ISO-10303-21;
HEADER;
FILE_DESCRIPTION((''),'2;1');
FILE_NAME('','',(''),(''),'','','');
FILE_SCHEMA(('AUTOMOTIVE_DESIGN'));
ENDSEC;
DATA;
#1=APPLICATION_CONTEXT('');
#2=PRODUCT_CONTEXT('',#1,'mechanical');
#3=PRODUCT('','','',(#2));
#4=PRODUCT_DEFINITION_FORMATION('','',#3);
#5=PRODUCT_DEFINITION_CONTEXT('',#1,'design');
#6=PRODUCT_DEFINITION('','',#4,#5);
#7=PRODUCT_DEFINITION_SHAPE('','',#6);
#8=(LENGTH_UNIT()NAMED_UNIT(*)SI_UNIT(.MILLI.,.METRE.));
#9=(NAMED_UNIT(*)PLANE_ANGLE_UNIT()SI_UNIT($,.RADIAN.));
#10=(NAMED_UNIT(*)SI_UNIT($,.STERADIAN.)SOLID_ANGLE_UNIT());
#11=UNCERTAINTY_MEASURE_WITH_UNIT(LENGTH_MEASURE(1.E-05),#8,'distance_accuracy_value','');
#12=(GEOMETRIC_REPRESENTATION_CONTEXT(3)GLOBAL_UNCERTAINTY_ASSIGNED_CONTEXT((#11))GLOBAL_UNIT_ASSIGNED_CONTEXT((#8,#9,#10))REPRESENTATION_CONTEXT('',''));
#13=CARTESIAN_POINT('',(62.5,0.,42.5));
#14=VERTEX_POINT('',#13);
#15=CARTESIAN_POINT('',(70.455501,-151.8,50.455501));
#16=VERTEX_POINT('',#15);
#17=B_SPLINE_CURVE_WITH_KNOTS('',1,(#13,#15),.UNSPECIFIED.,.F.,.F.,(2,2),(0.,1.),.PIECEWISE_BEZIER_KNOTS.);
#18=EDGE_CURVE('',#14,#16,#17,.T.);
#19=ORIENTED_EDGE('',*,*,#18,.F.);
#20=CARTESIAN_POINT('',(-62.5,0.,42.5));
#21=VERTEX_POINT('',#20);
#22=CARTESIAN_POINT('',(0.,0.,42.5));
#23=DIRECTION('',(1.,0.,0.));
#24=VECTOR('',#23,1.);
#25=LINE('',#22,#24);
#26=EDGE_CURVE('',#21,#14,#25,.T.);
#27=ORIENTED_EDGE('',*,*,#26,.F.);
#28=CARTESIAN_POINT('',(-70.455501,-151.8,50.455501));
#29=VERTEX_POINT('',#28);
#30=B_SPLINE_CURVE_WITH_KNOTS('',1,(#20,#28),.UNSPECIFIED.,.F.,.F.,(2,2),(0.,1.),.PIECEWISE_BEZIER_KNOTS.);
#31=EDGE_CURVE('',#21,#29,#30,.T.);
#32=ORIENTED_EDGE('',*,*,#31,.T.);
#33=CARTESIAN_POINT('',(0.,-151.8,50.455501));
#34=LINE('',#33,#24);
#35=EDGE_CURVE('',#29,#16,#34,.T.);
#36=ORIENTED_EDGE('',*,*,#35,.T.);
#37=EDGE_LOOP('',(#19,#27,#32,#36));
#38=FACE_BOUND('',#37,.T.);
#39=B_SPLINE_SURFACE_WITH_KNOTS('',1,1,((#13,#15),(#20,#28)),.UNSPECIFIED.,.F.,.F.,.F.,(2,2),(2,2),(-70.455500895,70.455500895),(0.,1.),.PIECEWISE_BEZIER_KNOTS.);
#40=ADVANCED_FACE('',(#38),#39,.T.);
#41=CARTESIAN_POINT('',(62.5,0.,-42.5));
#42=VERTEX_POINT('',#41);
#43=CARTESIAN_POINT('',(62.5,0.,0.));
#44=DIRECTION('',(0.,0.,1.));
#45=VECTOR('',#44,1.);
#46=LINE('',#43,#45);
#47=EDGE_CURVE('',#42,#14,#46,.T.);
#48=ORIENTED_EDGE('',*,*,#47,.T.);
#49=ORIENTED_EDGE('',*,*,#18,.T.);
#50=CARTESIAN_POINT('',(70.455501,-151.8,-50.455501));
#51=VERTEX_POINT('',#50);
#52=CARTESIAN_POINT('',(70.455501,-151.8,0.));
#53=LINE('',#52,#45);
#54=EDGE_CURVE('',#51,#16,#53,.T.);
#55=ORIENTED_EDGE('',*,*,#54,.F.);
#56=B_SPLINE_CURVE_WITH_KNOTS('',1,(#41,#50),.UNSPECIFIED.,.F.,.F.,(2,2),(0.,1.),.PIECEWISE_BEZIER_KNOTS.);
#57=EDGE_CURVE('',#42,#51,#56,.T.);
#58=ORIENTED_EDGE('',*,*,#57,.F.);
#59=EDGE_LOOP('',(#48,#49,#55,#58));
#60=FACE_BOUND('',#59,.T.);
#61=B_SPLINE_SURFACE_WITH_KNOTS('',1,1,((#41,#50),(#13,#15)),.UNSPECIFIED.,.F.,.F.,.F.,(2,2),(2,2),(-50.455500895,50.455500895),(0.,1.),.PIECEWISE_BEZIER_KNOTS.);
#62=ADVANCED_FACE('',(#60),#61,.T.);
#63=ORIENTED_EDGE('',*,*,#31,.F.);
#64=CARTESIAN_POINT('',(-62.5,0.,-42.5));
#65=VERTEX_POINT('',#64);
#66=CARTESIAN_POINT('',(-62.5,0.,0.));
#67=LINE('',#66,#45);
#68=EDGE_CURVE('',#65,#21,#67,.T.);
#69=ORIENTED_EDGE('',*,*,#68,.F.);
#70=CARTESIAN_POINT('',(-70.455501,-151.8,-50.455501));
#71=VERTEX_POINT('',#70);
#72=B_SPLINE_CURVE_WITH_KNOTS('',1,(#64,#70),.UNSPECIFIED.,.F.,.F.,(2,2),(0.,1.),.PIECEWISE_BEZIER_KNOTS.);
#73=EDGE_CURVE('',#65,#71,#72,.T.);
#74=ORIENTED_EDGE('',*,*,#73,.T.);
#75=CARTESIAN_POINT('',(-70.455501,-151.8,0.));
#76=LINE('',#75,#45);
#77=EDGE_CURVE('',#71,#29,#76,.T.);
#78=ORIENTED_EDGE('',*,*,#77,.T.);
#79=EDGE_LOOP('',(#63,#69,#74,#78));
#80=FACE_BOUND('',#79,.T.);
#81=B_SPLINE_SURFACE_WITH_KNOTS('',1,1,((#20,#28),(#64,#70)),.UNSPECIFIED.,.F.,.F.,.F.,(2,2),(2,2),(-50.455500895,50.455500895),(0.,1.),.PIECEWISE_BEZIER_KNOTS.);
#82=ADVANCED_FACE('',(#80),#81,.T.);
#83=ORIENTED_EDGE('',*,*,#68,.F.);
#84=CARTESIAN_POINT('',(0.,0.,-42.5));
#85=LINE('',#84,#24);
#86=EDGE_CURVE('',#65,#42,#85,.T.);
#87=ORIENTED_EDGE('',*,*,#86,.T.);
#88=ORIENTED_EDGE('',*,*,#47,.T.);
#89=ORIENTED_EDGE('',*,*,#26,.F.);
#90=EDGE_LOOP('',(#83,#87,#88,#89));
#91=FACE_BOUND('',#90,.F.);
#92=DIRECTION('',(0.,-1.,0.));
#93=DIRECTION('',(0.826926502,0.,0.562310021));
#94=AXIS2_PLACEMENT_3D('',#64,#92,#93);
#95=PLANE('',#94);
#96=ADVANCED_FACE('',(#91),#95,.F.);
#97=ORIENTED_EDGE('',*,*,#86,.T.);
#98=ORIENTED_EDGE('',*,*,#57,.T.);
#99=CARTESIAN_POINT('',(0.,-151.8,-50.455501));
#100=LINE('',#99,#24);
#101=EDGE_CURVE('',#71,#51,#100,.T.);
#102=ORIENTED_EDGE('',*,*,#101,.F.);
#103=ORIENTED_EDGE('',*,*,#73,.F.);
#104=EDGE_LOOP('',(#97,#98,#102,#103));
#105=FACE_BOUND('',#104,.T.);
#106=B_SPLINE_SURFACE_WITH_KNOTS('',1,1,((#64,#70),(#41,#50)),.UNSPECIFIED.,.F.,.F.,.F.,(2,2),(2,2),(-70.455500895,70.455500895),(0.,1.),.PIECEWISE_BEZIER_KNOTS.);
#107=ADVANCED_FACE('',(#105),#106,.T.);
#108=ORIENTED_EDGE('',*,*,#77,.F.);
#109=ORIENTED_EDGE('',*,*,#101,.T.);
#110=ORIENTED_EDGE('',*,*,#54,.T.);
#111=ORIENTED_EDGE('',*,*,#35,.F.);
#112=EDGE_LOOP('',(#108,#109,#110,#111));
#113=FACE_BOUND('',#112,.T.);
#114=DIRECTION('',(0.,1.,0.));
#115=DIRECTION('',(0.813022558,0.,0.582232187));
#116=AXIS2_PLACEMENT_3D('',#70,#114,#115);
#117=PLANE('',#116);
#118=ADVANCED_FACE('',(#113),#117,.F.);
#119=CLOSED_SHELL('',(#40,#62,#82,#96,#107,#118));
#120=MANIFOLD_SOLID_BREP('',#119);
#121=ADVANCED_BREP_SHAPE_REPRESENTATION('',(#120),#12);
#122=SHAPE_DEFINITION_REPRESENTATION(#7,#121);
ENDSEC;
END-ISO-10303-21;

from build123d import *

# Parameters (mm, degrees)
F0_W     = 125
F0_H     = 85
F1_DEPTH = 151.8
F1_TAPER = -3


with BuildPart() as f1:
    # F0 (on Front) → F1 (new body)
    with BuildSketch(Plane.XZ):
        Rectangle(F0_W, F0_H)
    extrude(amount=F1_DEPTH, taper=F1_TAPER)


solid = f1.part
